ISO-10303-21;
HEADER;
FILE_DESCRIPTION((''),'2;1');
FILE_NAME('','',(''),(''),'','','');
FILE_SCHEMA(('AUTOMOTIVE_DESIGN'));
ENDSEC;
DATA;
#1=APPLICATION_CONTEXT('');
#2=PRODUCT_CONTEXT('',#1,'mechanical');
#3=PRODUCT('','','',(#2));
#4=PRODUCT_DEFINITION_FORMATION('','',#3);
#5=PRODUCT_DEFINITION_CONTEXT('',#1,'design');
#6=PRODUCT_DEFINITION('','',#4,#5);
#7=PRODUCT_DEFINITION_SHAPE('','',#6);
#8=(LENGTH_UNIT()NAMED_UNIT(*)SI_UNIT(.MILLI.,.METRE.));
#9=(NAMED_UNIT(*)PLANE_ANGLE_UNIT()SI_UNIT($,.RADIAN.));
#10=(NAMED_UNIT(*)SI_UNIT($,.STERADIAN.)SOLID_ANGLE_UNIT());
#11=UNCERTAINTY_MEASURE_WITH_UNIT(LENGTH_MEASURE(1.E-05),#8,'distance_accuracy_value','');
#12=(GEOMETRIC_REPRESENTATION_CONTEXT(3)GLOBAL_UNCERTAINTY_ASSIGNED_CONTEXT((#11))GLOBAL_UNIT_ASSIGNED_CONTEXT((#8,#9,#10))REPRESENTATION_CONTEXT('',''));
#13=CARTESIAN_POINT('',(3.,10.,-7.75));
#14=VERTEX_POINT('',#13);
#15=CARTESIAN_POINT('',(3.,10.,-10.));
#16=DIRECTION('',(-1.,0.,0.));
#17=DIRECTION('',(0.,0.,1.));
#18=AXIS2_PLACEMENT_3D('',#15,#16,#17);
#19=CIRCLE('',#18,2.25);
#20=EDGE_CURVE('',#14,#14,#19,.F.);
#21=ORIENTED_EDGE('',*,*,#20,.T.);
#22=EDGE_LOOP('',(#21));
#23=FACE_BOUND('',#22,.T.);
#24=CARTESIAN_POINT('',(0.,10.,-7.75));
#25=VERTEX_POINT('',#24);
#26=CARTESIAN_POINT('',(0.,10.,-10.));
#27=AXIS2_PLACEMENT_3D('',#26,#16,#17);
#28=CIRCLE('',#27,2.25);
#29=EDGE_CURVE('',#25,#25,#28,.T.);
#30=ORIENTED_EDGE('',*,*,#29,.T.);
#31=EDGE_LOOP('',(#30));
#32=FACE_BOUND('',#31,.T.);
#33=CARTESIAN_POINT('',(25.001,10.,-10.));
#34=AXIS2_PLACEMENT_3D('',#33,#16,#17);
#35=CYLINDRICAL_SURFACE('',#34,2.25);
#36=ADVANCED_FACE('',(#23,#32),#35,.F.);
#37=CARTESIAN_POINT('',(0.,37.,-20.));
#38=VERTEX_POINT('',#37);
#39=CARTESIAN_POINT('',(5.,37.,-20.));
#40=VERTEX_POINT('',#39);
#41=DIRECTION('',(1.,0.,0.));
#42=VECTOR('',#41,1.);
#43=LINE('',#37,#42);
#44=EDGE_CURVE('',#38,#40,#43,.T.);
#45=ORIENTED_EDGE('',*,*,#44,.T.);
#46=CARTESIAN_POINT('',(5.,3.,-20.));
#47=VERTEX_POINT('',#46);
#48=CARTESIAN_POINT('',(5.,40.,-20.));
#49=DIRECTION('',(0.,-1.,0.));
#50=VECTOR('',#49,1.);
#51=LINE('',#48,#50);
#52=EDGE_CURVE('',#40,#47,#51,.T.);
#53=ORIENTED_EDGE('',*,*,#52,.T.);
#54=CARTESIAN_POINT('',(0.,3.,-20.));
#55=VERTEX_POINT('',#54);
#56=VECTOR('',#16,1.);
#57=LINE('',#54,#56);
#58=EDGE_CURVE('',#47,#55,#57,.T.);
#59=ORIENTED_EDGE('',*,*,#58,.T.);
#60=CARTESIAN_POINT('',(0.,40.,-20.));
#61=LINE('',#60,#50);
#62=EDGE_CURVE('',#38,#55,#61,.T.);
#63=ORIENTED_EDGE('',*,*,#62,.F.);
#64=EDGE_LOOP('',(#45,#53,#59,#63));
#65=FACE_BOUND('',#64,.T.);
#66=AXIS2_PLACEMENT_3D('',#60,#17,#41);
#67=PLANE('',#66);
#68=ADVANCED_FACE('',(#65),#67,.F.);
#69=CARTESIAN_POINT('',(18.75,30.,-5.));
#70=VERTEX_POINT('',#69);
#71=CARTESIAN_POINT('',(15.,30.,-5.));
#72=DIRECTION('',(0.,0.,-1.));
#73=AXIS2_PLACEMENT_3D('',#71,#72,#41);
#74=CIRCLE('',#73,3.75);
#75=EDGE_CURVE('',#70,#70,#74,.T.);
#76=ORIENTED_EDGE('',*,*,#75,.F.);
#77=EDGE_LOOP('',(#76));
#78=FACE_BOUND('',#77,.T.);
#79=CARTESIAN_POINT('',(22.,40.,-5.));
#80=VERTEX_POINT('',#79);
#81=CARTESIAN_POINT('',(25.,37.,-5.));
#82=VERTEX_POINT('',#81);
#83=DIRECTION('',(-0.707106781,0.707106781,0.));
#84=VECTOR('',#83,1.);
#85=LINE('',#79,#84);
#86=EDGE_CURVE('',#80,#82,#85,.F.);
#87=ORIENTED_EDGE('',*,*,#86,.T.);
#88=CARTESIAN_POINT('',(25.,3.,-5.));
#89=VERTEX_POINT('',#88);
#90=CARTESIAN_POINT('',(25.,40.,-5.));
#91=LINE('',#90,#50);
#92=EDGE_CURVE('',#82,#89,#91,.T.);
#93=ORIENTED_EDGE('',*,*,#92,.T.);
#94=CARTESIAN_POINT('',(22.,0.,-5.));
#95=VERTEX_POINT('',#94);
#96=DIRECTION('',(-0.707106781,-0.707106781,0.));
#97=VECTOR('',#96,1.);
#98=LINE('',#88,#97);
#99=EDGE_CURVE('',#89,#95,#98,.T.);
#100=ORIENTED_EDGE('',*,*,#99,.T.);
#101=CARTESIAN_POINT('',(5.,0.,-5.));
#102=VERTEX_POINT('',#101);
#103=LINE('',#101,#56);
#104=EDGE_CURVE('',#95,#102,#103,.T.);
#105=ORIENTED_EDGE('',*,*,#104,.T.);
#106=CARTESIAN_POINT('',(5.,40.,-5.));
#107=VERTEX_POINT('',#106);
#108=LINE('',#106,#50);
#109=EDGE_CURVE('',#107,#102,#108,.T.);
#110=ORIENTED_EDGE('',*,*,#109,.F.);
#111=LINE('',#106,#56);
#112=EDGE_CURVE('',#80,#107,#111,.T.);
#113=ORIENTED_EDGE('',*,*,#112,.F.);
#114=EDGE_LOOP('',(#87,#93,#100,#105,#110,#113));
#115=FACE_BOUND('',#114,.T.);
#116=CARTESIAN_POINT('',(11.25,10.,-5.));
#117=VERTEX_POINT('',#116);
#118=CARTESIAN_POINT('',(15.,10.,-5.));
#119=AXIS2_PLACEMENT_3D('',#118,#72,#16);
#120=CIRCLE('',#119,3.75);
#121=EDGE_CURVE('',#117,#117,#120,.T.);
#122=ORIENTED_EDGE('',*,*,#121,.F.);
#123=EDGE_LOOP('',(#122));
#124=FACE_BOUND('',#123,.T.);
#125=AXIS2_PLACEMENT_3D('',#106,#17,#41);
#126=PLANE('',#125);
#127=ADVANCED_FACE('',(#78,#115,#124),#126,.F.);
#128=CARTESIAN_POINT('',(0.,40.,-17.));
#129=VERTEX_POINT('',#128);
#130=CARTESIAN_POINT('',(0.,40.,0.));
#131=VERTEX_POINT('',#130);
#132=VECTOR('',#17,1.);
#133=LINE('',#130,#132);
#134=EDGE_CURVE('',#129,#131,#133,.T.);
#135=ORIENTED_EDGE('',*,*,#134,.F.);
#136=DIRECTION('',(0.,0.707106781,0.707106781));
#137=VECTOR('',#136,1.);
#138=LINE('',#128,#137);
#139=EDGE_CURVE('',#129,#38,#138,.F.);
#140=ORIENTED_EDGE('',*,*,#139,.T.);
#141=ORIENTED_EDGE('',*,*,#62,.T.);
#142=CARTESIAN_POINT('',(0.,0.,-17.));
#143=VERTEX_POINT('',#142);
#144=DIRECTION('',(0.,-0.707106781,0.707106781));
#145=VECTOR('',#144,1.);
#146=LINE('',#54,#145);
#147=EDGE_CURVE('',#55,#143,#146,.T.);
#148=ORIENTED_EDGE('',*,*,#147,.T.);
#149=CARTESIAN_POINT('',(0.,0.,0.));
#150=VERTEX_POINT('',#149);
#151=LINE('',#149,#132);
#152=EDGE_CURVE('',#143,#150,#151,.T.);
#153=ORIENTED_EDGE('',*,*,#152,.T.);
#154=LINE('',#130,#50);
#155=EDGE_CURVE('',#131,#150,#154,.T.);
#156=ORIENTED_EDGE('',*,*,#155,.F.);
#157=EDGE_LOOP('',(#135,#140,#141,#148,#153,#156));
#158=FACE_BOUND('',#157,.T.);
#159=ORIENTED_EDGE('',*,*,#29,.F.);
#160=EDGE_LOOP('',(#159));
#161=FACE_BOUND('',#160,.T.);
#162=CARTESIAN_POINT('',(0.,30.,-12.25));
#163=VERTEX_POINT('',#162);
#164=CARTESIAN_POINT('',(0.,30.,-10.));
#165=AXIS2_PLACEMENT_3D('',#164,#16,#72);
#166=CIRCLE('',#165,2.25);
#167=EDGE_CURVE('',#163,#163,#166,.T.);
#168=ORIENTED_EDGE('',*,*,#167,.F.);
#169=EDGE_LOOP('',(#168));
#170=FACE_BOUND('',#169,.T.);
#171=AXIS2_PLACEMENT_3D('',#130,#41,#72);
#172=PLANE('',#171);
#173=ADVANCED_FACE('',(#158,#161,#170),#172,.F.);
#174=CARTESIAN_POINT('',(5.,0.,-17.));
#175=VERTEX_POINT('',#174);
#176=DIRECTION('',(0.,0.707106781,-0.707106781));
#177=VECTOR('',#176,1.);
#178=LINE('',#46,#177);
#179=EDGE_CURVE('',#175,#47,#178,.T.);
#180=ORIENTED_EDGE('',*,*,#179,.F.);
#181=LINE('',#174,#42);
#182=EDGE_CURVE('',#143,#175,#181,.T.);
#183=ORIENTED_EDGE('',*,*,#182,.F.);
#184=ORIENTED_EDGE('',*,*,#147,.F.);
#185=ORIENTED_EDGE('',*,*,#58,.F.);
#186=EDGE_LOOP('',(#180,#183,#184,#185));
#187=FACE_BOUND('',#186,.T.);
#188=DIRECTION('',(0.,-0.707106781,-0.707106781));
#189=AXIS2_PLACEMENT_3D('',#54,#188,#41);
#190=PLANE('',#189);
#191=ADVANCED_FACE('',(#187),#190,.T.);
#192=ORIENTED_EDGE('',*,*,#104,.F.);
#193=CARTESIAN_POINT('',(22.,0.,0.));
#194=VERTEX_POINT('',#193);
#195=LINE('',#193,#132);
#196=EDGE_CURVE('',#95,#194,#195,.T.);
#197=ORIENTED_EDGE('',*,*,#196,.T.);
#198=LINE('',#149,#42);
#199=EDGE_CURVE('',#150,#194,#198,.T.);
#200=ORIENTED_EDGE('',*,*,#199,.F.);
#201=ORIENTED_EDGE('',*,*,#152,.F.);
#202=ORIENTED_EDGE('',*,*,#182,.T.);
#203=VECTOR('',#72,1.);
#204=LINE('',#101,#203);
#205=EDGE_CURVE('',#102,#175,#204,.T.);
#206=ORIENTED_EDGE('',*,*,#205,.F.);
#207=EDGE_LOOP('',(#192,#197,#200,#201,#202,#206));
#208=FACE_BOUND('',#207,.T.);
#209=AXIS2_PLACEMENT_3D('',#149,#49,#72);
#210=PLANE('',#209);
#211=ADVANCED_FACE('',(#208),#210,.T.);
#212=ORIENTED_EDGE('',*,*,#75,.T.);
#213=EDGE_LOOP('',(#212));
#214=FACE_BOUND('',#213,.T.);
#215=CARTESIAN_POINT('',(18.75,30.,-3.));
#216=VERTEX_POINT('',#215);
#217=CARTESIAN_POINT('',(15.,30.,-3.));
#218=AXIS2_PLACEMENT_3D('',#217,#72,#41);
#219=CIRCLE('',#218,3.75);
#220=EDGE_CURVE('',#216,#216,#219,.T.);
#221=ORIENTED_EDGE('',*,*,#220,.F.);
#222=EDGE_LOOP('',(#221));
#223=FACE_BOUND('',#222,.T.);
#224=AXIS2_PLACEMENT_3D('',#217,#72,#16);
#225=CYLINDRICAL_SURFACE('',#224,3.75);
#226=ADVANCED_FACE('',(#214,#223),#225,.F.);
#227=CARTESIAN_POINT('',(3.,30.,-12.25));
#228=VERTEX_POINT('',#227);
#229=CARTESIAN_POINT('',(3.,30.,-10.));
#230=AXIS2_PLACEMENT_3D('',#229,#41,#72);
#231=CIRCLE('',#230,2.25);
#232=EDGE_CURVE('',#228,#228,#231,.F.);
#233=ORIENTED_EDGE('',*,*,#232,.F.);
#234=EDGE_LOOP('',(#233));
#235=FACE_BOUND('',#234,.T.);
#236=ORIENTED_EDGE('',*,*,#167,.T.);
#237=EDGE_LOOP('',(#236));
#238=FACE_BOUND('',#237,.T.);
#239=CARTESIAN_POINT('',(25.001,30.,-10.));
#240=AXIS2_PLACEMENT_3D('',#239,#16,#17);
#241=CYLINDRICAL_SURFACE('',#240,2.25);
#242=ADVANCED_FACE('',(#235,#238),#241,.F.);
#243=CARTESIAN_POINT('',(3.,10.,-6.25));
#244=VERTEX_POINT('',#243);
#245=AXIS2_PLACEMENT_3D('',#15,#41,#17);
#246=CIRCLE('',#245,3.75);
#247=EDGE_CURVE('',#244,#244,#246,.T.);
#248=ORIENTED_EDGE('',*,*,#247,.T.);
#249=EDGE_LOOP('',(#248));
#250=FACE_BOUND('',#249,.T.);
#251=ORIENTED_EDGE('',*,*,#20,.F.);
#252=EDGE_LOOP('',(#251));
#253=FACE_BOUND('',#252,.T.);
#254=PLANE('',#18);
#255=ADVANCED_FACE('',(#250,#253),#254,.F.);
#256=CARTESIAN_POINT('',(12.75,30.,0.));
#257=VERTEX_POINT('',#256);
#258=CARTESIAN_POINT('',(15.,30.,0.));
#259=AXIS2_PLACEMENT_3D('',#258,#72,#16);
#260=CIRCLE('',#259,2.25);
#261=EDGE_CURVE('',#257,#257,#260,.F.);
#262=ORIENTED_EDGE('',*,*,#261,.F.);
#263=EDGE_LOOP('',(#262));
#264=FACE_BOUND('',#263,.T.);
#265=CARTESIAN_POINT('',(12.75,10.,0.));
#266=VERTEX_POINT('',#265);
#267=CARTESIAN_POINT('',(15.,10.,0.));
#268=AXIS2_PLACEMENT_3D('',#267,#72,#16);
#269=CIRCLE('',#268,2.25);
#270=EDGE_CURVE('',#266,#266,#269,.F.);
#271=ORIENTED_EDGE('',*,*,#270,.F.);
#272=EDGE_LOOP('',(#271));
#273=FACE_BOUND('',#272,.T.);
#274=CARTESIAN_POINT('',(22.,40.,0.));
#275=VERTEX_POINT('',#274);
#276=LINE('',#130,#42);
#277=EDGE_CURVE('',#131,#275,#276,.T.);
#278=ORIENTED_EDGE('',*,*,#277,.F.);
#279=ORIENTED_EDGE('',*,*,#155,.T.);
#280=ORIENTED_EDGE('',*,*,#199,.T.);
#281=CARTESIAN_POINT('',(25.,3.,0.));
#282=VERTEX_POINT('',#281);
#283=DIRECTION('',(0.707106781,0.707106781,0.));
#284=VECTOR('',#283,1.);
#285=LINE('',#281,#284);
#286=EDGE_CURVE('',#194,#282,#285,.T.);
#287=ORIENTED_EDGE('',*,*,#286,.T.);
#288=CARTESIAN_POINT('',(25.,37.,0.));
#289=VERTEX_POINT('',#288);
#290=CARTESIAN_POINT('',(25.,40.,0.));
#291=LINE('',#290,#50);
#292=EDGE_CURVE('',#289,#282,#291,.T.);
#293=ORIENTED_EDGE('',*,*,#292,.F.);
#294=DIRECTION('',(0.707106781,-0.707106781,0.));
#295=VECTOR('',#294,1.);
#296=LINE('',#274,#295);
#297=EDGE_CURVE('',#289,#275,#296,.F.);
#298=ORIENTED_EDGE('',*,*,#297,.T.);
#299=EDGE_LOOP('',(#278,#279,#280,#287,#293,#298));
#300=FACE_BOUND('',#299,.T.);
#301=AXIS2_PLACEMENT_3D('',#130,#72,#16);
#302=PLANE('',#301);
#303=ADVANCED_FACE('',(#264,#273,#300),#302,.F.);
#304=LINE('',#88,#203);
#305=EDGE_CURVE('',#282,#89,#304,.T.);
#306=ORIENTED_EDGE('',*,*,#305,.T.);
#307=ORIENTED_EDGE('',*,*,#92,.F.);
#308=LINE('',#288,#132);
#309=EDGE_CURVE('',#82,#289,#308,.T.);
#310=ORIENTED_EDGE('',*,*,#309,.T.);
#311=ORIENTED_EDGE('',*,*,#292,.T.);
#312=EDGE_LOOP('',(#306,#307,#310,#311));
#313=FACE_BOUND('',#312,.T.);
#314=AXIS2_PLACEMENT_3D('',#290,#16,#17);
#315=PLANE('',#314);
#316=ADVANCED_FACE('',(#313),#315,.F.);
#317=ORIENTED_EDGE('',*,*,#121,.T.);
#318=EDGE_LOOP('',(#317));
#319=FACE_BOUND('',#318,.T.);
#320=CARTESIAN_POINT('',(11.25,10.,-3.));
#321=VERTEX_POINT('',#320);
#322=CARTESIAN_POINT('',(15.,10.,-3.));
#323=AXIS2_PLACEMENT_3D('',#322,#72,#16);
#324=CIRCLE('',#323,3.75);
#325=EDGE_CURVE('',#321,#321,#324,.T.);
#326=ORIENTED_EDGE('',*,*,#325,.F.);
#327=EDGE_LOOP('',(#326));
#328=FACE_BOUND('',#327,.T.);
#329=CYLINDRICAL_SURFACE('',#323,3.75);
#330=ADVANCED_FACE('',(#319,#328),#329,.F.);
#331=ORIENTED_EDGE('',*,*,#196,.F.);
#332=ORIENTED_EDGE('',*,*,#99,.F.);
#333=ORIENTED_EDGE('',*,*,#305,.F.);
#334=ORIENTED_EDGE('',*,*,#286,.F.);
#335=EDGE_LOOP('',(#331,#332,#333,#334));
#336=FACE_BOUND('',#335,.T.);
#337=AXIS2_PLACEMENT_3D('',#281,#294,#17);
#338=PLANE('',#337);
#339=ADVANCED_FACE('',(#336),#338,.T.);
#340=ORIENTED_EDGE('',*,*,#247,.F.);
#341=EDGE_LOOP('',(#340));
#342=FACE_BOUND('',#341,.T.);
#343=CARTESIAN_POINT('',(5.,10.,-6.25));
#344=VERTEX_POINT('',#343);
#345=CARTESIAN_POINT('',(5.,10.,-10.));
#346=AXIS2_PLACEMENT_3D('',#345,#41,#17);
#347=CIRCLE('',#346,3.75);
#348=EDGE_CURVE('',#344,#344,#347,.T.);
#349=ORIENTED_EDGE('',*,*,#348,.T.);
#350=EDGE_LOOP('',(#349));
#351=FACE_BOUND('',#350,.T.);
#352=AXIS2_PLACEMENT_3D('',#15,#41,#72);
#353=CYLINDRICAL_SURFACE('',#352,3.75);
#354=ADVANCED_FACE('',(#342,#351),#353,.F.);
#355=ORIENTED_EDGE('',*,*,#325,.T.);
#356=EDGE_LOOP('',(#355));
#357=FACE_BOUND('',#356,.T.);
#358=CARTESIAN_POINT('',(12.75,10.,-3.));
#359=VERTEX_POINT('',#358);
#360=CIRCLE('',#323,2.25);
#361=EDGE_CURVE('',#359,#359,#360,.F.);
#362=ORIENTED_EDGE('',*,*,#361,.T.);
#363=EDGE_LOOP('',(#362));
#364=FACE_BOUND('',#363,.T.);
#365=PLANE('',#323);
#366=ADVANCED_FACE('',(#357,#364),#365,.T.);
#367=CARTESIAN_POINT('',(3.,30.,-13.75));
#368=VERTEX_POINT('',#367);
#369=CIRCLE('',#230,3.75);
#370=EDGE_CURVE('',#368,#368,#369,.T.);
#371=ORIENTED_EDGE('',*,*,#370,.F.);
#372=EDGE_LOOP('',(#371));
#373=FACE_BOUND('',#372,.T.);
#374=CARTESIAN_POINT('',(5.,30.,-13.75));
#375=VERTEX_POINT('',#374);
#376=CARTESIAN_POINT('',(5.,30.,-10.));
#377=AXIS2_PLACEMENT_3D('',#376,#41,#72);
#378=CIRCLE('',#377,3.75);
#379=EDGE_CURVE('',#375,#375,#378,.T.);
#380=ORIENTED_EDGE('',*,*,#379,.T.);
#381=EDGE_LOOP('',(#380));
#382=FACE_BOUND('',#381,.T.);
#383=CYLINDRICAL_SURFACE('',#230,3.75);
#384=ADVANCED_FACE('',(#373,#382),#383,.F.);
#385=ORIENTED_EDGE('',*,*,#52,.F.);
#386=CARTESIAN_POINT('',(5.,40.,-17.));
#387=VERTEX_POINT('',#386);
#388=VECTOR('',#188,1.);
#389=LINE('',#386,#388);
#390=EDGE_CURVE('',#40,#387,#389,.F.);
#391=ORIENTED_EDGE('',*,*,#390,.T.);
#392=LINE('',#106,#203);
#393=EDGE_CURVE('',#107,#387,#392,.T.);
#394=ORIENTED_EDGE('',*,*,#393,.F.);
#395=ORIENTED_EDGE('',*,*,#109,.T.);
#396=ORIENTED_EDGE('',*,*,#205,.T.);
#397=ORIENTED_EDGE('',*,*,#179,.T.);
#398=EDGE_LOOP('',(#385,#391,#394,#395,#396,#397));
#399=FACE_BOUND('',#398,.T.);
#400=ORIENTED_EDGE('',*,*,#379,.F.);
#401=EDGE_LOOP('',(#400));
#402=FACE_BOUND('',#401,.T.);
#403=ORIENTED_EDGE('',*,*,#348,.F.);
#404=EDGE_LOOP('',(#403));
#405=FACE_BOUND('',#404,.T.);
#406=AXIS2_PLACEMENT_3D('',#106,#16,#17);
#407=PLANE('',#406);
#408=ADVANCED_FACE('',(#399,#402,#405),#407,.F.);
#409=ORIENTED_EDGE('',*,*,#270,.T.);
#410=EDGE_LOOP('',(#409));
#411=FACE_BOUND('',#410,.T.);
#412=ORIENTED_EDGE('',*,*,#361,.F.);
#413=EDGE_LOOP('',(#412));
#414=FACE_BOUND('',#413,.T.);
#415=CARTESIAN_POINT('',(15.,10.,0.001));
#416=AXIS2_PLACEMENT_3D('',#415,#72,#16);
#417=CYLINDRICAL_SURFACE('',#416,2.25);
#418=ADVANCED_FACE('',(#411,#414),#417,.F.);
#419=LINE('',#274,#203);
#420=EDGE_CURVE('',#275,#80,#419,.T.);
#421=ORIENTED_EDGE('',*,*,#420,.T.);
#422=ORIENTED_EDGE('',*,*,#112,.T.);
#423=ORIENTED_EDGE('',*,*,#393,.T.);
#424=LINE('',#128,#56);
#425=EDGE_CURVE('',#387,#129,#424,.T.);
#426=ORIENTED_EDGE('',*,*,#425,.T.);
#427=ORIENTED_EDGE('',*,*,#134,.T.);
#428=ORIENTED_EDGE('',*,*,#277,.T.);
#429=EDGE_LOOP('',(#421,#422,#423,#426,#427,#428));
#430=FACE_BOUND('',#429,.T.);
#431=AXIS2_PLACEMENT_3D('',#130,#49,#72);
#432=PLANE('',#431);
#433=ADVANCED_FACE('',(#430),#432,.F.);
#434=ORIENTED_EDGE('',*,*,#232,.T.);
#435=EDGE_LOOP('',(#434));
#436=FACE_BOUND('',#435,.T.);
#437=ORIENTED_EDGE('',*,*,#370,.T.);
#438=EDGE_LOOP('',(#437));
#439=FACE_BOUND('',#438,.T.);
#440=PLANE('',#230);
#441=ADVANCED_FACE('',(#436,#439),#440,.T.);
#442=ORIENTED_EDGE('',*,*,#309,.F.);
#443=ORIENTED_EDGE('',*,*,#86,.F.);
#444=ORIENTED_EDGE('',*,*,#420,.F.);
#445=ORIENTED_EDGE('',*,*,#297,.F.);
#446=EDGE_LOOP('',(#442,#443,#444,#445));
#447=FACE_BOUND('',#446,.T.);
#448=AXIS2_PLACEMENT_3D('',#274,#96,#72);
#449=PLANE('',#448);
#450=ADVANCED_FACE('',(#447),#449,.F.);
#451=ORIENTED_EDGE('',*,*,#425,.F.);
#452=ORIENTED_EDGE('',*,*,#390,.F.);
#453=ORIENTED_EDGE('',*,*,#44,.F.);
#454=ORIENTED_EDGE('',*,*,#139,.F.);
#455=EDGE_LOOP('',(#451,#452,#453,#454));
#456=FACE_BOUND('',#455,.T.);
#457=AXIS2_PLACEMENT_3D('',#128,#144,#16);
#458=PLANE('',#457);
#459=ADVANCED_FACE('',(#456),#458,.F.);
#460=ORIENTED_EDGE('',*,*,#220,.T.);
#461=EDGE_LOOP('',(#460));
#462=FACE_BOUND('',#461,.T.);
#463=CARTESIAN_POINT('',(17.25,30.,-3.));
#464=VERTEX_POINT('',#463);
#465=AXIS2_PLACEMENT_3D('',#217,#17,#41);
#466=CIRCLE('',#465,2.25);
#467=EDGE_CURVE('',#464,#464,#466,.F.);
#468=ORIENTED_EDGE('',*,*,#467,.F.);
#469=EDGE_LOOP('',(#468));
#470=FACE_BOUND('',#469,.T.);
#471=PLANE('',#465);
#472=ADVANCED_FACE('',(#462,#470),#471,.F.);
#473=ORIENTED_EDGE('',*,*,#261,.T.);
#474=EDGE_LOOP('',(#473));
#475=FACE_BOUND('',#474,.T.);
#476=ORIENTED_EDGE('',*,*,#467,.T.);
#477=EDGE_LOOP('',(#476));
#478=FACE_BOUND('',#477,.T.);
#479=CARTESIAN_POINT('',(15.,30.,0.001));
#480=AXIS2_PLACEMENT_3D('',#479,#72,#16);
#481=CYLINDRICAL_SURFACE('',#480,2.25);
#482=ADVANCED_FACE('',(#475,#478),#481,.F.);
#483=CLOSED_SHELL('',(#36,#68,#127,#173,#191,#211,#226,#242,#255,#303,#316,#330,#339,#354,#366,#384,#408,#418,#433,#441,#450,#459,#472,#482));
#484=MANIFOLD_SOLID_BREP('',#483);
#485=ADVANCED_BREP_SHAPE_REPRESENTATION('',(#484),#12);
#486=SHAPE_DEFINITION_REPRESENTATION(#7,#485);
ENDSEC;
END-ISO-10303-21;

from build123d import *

# Parameters (mm, degrees)
BOSS_EXTRUDE1_DEPTH = 40
CUT_EXTRUDE1_REACH  = 27
SKETCH2_R           = 2.25
CUT_EXTRUDE2_REACH  = 7
SKETCH3_R           = 2.25
SKETCH4_R           = 3.75
CUT_EXTRUDE3_DEPTH  = 2
SKETCH5_R           = 3.75
CUT_EXTRUDE4_DEPTH  = 2
CHAMFER1_SIZE       = 3


with BuildPart() as part:
    # Sketch1 → Boss-Extrude1 (new body)
    with BuildSketch(Plane(origin=(0, 0, 0), x_dir=(1, 0, 0), z_dir=(0, 1, 0))):
        Polygon((0, 0), (25, 0), (25, 5), (5, 5), (5, 20), (0, 20), align=None)
    extrude(amount=BOSS_EXTRUDE1_DEPTH)

    # Sketch2 → Cut-Extrude1 (cut, up to next)
    with BuildSketch(Plane.ZY, mode=Mode.PRIVATE) as cut_extrude1_sk1:
        with Locations((-10, 10)):
            Circle(SKETCH2_R)
    cut_extrude1_tool1 = extrude(cut_extrude1_sk1.sketch, amount=-CUT_EXTRUDE1_REACH, mode=Mode.PRIVATE) & part.part
    add(cut_extrude1_tool1.solids().sort_by_distance((0, 10, -10))[0], mode=Mode.SUBTRACT)
    # Sketch2 → Cut-Extrude1 (cut, up to next)
    with BuildSketch(Plane.ZY, mode=Mode.PRIVATE) as cut_extrude1_sk2:
        with Locations((-10, 30)):
            Circle(SKETCH2_R)
    cut_extrude1_tool2 = extrude(cut_extrude1_sk2.sketch, amount=-CUT_EXTRUDE1_REACH, mode=Mode.PRIVATE) & part.part
    add(cut_extrude1_tool2.solids().sort_by_distance((0, 30, -10))[0], mode=Mode.SUBTRACT)

    # Sketch3 → Cut-Extrude2 (cut, up to next)
    with BuildSketch(Plane(origin=(0, 0, -5), x_dir=(-1, 0, 0), z_dir=(0, 0, -1)), mode=Mode.PRIVATE) as cut_extrude2_sk1:
        with Locations((-15, 10)):
            Circle(SKETCH3_R)
    cut_extrude2_tool1 = extrude(cut_extrude2_sk1.sketch, amount=-CUT_EXTRUDE2_REACH, mode=Mode.PRIVATE) & part.part
    add(cut_extrude2_tool1.solids().sort_by_distance((15, 10, -5))[0], mode=Mode.SUBTRACT)
    # Sketch3 → Cut-Extrude2 (cut, up to next)
    with BuildSketch(Plane(origin=(0, 0, -5), x_dir=(-1, 0, 0), z_dir=(0, 0, -1)), mode=Mode.PRIVATE) as cut_extrude2_sk2:
        with Locations((-15, 30)):
            Circle(SKETCH3_R)
    cut_extrude2_tool2 = extrude(cut_extrude2_sk2.sketch, amount=-CUT_EXTRUDE2_REACH, mode=Mode.PRIVATE) & part.part
    add(cut_extrude2_tool2.solids().sort_by_distance((15, 30, -5))[0], mode=Mode.SUBTRACT)

    # Sketch4 → Cut-Extrude3 (cut)
    with BuildSketch(Plane(origin=(0, 0, -5), x_dir=(-1, 0, 0), z_dir=(0, 0, -1))):
        with Locations((-15, 10)):
            Circle(SKETCH4_R)
        with Locations((-15, 30)):
            Circle(SKETCH4_R)
    extrude(amount=-CUT_EXTRUDE3_DEPTH, mode=Mode.SUBTRACT)

    # Sketch5 → Cut-Extrude4 (cut)
    with BuildSketch(Plane(origin=(5, 0, 0), x_dir=(0, 0, -1), z_dir=(1, 0, 0))):
        with Locations((10, 30)):
            Circle(SKETCH5_R)
        with Locations((10, 10)):
            Circle(SKETCH5_R)
    extrude(amount=-CUT_EXTRUDE4_DEPTH, mode=Mode.SUBTRACT)

    # Chamfer1
    chamfer1_edges = [part.edges().sort_by_distance(p)[0] for p in [
        (25, 40, -2.5),
        (2.5, 40, -20),
        (2.5, 0, -20),
        (25, 0, -2.5),
    ]]
    chamfer(chamfer1_edges, length=CHAMFER1_SIZE)


solid = part.part
